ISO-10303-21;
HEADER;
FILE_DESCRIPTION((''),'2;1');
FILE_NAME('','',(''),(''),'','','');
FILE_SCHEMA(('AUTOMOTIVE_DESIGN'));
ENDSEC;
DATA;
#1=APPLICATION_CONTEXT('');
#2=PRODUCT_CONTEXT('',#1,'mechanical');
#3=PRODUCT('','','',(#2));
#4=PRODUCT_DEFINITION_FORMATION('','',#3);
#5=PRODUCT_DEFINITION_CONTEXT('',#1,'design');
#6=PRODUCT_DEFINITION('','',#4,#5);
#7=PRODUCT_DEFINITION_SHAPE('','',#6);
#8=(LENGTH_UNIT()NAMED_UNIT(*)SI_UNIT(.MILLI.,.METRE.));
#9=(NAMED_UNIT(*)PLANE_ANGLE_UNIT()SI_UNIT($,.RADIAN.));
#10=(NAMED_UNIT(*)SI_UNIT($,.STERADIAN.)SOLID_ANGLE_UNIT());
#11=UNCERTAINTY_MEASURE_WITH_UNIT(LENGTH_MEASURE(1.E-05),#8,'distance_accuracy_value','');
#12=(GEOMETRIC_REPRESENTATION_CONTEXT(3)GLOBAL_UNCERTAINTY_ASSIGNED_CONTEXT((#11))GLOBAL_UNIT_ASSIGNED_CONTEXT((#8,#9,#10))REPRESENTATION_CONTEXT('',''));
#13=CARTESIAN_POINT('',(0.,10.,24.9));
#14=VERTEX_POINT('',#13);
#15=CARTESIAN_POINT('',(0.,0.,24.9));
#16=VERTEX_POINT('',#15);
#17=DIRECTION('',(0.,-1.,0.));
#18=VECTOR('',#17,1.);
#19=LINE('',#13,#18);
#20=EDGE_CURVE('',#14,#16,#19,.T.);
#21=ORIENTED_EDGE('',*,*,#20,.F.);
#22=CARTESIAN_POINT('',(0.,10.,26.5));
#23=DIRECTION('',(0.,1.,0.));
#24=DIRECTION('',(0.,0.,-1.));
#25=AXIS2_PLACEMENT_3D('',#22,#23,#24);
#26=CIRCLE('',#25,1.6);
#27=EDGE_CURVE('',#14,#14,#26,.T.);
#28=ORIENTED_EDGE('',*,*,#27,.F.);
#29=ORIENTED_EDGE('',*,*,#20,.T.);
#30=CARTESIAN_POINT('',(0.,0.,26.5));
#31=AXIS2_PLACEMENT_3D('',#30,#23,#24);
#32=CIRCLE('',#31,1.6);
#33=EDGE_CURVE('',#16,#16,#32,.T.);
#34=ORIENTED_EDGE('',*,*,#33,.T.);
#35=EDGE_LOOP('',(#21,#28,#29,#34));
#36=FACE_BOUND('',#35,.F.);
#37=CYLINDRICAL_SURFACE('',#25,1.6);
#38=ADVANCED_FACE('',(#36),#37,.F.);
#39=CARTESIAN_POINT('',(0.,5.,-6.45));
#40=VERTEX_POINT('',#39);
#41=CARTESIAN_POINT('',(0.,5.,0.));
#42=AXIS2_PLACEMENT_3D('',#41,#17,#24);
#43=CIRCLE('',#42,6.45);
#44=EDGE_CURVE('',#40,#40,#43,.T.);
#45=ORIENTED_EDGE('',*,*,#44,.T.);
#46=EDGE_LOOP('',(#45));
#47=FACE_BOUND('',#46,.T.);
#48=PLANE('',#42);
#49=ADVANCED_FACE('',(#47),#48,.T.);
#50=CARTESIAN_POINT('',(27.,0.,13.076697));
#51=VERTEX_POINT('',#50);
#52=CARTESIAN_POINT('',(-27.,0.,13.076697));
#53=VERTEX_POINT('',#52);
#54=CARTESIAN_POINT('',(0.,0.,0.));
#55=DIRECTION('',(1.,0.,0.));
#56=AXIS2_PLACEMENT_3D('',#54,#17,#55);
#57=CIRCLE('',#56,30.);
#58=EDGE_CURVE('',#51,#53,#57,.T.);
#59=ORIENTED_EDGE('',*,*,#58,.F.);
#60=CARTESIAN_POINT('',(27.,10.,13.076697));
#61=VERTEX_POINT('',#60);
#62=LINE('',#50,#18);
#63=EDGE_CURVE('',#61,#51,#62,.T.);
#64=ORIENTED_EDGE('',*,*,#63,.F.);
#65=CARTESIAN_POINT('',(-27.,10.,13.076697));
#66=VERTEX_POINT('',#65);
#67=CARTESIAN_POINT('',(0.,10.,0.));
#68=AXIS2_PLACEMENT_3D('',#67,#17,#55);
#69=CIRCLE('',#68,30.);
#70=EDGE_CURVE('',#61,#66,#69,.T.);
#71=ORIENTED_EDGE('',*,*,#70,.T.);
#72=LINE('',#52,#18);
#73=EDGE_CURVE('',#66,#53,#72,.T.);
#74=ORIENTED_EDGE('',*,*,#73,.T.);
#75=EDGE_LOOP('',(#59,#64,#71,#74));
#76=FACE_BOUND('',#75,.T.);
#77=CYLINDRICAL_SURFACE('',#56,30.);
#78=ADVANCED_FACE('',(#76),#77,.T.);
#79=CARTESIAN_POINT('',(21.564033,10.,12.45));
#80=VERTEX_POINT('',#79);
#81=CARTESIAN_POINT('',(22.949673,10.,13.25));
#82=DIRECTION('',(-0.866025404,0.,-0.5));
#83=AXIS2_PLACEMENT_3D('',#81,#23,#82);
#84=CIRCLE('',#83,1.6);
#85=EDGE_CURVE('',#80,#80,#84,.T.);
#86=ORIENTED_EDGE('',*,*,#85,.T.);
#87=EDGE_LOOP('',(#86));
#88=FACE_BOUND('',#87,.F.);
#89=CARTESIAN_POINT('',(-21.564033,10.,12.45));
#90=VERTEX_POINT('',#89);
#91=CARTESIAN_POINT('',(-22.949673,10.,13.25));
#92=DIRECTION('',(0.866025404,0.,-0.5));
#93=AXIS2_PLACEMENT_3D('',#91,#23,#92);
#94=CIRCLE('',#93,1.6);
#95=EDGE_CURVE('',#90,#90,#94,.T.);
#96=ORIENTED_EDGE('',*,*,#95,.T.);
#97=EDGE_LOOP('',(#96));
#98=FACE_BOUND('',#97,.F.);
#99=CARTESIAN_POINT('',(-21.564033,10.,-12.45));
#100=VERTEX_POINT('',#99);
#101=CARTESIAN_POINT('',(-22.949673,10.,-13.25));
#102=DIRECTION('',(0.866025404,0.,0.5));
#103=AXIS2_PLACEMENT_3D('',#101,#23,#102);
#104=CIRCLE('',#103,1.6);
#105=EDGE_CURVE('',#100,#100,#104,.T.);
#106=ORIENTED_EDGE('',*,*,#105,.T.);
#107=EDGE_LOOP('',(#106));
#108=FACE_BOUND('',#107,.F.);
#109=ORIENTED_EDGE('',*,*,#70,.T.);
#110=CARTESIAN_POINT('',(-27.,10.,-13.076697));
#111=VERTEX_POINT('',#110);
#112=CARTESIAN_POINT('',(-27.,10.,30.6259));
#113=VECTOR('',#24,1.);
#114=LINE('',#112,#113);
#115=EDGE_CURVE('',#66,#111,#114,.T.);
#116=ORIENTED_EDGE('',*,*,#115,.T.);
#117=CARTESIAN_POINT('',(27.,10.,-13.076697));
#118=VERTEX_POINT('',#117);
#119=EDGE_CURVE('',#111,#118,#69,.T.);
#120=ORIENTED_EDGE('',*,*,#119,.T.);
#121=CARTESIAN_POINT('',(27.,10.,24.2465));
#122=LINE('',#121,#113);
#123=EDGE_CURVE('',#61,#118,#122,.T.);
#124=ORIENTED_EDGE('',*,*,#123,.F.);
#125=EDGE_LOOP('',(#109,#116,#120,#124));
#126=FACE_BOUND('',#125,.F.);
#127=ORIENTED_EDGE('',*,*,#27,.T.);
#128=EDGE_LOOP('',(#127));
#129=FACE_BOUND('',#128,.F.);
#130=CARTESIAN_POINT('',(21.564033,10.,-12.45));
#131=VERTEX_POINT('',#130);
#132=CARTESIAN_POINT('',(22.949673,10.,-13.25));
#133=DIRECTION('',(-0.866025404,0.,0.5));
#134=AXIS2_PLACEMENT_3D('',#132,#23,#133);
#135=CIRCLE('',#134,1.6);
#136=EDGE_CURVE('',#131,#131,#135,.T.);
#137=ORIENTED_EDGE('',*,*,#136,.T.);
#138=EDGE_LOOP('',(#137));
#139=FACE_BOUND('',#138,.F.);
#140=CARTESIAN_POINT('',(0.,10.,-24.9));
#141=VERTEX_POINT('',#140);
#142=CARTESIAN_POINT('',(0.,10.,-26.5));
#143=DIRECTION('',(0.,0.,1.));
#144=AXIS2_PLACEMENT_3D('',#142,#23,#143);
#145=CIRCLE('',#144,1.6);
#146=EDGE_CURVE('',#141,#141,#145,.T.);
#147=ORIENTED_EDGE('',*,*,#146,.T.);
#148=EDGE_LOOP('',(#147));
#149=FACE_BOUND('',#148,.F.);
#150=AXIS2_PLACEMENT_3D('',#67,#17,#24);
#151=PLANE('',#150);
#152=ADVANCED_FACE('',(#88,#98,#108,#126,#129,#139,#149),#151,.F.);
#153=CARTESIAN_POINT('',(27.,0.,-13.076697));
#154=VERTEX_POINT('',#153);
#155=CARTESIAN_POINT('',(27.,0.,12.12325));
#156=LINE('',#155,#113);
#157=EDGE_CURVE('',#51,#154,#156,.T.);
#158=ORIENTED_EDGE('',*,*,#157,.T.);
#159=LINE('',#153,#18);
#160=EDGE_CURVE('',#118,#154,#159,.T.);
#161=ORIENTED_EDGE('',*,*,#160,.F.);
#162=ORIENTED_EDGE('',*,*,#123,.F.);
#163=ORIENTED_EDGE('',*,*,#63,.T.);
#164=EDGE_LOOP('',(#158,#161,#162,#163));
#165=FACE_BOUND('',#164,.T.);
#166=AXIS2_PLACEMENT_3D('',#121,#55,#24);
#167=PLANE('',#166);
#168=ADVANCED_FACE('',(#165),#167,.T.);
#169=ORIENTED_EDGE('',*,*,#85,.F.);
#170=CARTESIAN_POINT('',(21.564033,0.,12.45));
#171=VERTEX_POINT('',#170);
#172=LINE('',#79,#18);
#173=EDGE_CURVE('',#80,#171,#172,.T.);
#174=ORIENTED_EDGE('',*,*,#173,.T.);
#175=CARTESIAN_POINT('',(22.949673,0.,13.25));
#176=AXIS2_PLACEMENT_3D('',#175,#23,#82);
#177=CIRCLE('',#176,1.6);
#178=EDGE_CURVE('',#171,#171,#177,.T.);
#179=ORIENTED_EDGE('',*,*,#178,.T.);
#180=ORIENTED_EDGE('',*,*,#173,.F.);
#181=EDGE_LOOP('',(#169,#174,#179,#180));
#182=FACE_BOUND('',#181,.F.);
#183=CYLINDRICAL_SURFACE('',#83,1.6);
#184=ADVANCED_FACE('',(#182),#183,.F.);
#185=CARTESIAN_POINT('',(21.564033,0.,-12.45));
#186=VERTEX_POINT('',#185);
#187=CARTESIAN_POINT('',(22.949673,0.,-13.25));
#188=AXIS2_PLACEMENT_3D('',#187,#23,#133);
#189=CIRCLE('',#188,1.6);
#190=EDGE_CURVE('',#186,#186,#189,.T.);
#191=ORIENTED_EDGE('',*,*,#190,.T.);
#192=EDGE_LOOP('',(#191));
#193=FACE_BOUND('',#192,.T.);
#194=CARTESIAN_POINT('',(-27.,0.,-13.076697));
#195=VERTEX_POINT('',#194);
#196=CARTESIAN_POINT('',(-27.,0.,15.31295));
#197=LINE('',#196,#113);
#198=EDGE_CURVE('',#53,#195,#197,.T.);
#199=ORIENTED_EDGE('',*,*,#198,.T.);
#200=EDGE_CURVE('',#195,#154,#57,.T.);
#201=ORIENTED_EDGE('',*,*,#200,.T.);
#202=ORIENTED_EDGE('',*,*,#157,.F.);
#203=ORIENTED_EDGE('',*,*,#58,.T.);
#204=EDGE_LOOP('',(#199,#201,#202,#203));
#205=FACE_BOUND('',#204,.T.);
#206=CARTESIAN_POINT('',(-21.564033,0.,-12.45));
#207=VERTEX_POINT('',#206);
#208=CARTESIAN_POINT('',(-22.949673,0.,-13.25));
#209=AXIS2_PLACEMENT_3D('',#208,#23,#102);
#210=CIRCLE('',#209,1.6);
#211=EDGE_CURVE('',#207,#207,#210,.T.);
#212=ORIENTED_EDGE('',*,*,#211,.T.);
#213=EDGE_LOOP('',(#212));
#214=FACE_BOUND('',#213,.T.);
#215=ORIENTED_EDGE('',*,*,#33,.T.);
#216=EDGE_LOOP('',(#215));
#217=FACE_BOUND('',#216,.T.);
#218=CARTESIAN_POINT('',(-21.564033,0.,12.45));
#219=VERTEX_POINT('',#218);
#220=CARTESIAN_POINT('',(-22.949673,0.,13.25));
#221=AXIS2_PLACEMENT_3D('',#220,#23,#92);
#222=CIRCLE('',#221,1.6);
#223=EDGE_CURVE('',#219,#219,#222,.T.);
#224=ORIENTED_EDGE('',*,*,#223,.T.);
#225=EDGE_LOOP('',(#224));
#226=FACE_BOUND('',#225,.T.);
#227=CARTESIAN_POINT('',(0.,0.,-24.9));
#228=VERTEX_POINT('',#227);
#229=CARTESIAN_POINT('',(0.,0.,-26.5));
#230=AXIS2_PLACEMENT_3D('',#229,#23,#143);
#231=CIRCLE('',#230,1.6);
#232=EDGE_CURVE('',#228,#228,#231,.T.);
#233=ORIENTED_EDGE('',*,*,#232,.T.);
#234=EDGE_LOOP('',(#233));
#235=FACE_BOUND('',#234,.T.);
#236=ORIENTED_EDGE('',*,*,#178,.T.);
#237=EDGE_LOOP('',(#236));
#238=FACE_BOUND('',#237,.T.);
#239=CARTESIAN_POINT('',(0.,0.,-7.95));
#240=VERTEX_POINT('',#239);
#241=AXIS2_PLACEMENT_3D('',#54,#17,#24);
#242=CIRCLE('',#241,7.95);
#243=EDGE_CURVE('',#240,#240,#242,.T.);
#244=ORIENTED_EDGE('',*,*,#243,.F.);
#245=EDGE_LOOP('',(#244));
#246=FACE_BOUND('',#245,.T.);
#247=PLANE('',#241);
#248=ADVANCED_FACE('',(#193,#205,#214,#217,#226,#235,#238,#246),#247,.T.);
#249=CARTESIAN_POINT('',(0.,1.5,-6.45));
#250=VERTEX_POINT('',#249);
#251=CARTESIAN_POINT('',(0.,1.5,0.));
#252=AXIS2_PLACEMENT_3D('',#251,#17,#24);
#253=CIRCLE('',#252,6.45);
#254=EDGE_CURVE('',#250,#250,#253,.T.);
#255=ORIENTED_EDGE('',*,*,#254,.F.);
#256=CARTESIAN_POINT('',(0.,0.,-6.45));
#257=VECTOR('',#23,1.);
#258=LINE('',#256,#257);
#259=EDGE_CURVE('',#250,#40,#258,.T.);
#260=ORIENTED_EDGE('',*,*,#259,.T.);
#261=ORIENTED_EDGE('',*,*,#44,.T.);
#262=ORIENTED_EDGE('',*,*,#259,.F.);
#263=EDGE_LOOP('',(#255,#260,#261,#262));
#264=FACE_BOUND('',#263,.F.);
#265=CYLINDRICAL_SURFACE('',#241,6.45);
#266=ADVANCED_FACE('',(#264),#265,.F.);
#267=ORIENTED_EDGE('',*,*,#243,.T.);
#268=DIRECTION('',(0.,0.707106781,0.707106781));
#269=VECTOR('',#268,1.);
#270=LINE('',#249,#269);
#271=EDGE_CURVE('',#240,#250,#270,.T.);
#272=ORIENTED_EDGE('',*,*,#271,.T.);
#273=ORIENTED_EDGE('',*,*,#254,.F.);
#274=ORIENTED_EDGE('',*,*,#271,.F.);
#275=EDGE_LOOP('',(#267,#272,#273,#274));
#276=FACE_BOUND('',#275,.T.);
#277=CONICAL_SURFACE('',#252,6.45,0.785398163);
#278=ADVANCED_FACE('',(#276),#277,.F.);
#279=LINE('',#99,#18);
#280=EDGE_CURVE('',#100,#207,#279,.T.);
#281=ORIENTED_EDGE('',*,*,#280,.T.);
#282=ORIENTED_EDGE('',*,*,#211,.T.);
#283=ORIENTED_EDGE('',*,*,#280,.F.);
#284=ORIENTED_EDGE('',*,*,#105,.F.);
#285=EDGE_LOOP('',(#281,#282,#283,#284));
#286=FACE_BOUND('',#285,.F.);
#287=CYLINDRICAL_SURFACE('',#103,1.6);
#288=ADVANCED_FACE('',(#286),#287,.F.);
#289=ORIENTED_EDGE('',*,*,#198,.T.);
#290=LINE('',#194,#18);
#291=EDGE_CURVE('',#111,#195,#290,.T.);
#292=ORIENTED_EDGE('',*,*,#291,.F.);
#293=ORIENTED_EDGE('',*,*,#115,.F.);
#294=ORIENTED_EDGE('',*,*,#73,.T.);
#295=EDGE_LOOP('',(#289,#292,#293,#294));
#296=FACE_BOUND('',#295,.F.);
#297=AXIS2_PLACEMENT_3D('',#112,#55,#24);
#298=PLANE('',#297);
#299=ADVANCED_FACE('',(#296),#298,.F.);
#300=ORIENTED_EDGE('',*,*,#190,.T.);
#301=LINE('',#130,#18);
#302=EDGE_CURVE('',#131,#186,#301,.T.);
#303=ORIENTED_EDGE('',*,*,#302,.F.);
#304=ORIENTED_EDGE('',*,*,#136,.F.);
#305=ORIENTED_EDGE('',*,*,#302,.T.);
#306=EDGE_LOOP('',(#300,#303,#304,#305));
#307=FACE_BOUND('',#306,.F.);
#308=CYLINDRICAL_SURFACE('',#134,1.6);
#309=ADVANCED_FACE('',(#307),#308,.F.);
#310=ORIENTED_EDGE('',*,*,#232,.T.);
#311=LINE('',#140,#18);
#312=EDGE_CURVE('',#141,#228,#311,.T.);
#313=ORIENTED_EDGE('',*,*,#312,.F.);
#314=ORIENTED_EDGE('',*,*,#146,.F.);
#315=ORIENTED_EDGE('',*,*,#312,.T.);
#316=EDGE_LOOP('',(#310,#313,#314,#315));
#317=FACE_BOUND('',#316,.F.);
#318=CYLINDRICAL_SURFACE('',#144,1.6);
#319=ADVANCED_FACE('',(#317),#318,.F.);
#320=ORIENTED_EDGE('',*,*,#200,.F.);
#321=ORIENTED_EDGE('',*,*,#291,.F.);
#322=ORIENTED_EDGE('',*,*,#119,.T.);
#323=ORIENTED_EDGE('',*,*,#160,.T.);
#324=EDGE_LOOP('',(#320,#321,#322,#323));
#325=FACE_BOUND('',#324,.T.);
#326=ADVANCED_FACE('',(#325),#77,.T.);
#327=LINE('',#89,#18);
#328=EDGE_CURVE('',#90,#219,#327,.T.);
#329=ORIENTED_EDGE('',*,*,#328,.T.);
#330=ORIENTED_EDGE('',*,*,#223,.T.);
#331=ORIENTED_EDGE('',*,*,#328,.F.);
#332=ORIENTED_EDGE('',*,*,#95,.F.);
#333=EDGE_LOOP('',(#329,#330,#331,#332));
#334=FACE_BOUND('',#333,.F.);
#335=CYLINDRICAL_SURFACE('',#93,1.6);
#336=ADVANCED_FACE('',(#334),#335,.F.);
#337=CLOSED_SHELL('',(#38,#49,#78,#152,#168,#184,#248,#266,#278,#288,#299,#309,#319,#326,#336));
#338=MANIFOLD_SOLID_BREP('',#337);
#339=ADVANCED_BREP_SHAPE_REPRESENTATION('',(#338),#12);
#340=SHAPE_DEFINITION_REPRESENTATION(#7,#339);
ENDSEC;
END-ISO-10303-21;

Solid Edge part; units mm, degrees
sketch "Sketch1" plane through (0, 0, 0) normal (0, -1, 0) x (1, 0, 0)
  circle A0 centre (0, 0) radius 30
extrude "Protrusion1" add sketch "Sketch1" against normal blind 10
sketch "Sketch2" plane through (0, 10, 0) normal (0, 1, 0) x (0, 0, 1)
  circle A0 centre (-26.5, 0) radius 1.6
  dimension "D1" = 26.5
extrude "Cutout1" cut sketch "Sketch2" against normal up to next
pattern_circular "Pattern1" count 6 over 360 about axis through (0, 10, 0) along (0, -1, 0) of "Cutout1"
sketch "Sketch3" plane through (0, 10, 0) normal (0, 1, 0) x (0, 0, 1)
  line L0 (-27.1295, -30) -> (30.6259, -30)
  line L1 (30.6259, -30) -> (30.6259, -27)
  line L2 (30.6259, -27) -> (-27.1295, -27)
  line L3 (-27.1295, -27) -> (-27.1295, -30)
  line L4 (-24.9621, 30) -> (24.2465, 30)
  line L5 (24.2465, 30) -> (24.2465, 27)
  line L6 (24.2465, 27) -> (-24.9621, 27)
  line L7 (-24.9621, 27) -> (-24.9621, 30)
  dimension "D1" = 3
  dimension "D2" = 30
  dimension "D3" = 3
  dimension "D4" = 30
extrude "Cutout2" cut sketch "Sketch3" against normal up to next
sketch "Sketch4" plane through (0, 0, 0) normal (0, -1, 0) x (0, 0, -1)
  circle A0 centre (0, 0) radius 6.45
extrude "ExtrudedCutout_3" cut sketch "Sketch4" against normal blind 5
chamfer "Chamfer_1" distance 1.5 angle 45 1 edges at (0, 0, 6.45)
